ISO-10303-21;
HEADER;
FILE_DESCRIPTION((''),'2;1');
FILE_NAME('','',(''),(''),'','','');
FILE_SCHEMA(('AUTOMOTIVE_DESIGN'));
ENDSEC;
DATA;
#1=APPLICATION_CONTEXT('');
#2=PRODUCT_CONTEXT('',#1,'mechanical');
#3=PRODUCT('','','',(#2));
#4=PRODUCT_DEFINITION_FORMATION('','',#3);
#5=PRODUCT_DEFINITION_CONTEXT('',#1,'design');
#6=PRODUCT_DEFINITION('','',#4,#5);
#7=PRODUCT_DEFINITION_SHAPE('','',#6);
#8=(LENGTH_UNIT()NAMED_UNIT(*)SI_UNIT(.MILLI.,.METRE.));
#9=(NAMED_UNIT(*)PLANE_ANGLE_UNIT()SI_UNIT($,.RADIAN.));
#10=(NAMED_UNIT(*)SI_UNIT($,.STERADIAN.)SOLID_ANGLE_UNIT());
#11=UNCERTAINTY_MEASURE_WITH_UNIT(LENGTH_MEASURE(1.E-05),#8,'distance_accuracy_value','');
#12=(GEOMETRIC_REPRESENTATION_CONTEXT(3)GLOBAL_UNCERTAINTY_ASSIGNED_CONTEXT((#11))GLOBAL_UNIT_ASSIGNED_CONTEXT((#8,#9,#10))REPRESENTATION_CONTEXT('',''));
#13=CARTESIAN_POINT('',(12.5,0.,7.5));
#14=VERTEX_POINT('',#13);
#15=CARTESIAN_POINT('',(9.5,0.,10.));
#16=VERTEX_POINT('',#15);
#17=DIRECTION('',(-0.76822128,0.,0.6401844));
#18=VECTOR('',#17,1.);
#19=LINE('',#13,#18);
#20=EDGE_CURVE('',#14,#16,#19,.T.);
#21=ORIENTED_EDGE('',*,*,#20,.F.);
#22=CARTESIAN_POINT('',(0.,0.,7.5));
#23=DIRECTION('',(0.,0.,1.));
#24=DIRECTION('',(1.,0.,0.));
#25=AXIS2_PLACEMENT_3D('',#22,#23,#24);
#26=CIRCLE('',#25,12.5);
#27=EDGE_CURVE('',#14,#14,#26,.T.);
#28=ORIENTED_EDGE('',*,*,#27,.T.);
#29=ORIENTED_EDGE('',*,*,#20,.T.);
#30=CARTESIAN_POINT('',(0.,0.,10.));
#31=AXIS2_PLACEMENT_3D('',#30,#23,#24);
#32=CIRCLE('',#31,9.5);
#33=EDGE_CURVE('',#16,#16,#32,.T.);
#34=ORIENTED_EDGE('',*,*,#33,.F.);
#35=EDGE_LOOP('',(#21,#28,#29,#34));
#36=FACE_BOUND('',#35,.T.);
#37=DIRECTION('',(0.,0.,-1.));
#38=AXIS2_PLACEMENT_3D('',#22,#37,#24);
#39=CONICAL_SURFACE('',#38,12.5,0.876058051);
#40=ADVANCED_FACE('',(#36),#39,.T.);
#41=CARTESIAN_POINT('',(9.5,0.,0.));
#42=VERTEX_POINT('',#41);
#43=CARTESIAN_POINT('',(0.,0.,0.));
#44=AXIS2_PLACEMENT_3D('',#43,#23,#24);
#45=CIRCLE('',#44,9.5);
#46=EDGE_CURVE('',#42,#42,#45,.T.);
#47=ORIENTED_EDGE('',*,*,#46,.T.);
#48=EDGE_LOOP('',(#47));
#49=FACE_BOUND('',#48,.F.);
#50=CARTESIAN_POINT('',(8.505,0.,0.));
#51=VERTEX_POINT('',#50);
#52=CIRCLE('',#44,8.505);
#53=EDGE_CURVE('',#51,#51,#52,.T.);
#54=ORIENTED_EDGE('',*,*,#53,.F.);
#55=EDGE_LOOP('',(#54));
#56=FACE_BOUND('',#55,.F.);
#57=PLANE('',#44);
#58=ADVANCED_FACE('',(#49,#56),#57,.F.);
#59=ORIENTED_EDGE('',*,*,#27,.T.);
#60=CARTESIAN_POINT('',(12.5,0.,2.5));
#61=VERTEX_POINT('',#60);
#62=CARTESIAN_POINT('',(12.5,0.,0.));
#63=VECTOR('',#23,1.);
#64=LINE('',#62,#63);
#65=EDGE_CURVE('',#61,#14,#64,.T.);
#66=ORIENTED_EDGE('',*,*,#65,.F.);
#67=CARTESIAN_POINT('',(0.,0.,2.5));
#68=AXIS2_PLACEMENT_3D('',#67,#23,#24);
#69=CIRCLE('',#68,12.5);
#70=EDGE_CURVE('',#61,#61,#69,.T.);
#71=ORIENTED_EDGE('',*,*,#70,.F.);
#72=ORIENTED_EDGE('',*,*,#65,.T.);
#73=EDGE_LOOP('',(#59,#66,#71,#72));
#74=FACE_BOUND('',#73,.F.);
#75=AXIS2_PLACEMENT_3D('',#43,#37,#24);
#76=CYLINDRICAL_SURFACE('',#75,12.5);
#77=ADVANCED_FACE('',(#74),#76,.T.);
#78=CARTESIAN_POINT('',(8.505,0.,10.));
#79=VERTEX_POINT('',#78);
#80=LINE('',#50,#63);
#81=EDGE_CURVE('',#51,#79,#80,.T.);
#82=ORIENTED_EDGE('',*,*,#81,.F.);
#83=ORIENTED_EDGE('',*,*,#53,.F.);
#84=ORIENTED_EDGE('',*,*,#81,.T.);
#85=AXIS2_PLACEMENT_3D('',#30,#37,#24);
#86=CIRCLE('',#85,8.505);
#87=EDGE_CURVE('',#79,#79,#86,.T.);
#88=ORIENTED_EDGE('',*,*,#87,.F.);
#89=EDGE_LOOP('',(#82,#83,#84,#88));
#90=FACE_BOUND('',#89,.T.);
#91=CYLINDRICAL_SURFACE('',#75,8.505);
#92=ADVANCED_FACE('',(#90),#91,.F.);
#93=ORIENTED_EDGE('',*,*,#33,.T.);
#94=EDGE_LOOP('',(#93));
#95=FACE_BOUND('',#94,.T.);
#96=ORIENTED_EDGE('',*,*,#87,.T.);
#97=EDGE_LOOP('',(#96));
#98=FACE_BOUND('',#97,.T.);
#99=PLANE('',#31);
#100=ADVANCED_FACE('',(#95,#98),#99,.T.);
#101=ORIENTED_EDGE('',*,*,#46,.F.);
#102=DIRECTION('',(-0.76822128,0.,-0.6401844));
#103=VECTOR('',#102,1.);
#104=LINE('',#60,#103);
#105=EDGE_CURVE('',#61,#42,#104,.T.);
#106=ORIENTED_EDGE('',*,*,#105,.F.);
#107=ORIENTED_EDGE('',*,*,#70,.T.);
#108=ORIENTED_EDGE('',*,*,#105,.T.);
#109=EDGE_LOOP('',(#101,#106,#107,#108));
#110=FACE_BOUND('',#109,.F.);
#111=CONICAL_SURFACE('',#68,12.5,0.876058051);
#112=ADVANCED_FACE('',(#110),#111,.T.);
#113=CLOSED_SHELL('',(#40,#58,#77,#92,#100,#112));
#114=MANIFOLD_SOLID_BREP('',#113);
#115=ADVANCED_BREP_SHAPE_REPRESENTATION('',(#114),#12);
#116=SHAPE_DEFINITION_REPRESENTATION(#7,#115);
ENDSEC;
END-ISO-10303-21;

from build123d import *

# Parameters (mm, degrees)
F0_R     = 12.5
F1_DEPTH = 10
F2_R     = 8.505
F3_DEPTH = 27.2
F4_SIZE2 = 3
F4_SIZE  = 2.5


with BuildPart() as f1:
    # F0 (on Top) → F1 (new body)
    with BuildSketch(Plane.XY):
        Circle(F0_R)
    extrude(amount=F1_DEPTH)

    # F2 (on Top) → F3 (cut)
    with BuildSketch(Plane.XY):
        Circle(F2_R)
    extrude(amount=F3_DEPTH, mode=Mode.SUBTRACT)

    # F4
    f4_edges = [f1.edges().sort_by_distance(p)[0] for p in [
        (12.5, 0, 5),
        (-12.5, 0, 0),
        (-12.5, 0, 10),
    ]]
    chamfer(f4_edges, length=F4_SIZE, length2=F4_SIZE2)


solid = f1.part
